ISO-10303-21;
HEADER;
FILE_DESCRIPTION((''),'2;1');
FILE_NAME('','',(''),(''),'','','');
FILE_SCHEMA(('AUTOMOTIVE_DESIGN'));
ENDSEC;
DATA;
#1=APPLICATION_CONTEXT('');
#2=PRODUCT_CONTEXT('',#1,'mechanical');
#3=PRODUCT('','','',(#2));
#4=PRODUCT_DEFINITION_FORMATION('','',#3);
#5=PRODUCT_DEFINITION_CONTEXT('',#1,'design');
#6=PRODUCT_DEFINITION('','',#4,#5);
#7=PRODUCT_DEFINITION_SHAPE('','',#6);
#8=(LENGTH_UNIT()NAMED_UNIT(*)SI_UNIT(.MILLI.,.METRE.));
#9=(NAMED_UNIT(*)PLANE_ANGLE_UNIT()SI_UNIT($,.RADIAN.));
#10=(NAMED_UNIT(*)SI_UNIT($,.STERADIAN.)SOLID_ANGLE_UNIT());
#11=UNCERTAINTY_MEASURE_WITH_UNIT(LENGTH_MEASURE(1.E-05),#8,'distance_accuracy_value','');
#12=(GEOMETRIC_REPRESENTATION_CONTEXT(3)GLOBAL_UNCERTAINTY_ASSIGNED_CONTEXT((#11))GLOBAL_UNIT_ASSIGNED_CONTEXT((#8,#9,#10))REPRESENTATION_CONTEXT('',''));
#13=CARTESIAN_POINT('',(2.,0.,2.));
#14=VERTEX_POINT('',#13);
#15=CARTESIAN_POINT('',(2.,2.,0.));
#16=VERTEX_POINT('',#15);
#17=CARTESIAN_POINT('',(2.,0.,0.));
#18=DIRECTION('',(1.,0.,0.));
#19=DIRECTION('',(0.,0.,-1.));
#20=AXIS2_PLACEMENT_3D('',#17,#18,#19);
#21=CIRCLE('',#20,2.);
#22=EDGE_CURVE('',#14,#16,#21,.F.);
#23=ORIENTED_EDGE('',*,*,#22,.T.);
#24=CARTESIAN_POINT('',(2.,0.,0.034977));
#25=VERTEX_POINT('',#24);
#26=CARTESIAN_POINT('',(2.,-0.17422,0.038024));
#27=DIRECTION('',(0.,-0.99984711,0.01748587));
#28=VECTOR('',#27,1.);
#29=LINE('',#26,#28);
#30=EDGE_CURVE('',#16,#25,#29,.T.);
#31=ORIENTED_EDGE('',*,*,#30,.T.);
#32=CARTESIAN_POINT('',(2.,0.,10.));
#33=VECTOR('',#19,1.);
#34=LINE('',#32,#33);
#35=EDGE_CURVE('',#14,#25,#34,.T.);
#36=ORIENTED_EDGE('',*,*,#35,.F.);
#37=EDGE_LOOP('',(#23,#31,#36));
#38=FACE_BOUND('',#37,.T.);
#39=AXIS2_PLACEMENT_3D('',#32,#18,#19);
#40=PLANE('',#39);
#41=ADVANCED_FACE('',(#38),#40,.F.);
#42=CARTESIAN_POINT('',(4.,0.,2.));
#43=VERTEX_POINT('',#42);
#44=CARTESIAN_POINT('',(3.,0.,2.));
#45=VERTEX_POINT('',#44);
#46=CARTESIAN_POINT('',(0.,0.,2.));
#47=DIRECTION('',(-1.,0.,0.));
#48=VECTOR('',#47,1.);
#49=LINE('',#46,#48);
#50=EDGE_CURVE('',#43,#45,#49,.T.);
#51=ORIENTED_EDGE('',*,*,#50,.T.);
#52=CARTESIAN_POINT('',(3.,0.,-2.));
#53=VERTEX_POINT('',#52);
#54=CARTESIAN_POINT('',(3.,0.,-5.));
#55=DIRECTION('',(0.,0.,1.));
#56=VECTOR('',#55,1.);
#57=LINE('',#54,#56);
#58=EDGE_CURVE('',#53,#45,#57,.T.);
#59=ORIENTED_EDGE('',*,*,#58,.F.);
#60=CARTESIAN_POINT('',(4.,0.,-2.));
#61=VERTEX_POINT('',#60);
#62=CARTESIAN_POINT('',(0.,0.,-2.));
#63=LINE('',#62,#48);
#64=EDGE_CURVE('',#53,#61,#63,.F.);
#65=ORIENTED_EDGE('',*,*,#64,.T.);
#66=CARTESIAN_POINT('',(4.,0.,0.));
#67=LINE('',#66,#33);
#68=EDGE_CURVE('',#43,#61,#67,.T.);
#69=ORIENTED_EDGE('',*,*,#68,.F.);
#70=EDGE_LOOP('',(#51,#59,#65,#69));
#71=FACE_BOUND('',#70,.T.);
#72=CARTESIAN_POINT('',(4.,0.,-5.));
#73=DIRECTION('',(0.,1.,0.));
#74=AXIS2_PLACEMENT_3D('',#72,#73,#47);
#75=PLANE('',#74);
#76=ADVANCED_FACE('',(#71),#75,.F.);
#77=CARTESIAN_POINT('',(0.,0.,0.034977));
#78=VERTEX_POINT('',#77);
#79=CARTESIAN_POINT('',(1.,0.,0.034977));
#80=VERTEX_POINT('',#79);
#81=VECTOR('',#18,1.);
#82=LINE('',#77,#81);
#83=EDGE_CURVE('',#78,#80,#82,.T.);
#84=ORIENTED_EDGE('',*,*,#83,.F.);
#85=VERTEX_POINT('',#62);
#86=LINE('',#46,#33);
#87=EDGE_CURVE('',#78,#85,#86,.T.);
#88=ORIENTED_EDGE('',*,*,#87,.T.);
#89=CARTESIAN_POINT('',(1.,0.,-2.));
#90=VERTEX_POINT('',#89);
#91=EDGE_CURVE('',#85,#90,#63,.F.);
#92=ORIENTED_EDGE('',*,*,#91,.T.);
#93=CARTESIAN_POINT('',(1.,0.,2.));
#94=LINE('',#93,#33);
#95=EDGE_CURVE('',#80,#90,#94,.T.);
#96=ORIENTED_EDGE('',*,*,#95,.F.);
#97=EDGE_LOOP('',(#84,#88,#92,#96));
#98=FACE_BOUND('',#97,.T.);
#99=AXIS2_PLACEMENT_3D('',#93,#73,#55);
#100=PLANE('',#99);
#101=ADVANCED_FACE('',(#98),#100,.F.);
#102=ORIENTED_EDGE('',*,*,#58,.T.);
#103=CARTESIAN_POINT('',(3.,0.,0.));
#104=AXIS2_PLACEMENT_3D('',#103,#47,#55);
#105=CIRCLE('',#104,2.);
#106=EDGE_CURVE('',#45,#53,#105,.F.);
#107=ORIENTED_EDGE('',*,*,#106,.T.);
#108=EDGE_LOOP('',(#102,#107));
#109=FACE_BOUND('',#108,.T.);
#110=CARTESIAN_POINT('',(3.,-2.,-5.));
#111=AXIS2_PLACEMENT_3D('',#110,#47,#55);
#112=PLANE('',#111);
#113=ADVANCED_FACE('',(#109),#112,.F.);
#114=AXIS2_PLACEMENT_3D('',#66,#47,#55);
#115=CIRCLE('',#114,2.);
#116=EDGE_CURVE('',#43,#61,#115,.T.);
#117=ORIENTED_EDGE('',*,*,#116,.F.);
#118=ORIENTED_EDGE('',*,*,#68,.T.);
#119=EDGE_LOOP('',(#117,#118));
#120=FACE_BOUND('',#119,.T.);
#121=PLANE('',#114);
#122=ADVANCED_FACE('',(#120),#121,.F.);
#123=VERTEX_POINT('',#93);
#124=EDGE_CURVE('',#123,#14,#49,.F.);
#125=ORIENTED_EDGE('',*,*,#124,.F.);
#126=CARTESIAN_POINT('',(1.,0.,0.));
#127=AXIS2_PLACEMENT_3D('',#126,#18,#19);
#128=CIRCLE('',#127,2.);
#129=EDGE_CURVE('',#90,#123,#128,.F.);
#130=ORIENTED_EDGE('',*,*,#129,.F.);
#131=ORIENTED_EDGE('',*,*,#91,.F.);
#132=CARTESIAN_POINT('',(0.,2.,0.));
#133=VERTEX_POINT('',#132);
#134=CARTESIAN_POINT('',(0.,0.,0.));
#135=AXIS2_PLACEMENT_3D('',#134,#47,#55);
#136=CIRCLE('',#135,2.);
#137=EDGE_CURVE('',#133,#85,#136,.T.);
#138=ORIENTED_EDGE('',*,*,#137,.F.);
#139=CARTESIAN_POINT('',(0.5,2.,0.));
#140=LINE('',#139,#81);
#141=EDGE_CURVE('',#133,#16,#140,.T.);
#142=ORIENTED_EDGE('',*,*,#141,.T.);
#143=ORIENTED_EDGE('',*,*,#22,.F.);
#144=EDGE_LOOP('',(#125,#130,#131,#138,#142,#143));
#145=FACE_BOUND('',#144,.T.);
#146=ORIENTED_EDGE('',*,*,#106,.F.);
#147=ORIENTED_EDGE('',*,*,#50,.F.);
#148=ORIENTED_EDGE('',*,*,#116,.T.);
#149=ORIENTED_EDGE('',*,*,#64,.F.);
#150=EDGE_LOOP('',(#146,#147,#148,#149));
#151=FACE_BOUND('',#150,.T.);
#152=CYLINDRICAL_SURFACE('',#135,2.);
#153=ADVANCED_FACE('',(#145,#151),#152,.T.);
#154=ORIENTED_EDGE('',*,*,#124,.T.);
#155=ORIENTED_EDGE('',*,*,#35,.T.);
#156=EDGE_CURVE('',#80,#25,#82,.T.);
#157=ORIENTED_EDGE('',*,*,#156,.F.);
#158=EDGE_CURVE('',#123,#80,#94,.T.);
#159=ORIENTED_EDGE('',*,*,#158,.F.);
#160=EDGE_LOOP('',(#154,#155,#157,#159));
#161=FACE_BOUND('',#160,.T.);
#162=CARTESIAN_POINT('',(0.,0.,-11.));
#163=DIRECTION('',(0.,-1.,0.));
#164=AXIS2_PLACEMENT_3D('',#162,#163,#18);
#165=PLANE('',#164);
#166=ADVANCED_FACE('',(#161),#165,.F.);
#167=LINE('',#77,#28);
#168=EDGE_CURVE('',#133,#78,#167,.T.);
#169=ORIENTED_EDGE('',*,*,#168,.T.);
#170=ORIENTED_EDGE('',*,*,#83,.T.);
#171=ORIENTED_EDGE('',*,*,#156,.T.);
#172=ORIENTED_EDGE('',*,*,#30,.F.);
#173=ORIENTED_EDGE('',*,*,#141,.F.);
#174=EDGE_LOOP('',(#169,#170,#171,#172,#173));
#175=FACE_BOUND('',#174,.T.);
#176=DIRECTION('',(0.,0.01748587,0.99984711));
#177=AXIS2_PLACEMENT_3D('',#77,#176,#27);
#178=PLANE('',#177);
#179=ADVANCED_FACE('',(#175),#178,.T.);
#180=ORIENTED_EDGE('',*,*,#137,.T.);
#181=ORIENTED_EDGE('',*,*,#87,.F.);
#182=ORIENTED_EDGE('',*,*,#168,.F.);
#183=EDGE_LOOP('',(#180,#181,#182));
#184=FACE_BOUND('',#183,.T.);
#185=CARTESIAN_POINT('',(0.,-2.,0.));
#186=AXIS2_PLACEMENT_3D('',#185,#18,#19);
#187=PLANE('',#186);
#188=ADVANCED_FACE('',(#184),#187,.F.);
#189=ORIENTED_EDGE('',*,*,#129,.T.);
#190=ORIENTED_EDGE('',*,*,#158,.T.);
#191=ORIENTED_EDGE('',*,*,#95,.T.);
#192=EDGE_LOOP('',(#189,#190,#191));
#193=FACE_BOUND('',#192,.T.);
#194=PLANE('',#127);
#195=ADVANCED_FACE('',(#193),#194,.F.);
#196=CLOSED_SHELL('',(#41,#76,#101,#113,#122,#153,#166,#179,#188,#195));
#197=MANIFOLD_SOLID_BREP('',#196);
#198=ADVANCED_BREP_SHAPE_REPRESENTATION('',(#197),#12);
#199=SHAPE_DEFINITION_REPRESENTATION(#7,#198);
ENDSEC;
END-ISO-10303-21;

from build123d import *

# Parameters (mm, degrees)
SKETCH5_W           = 4
SKETCH5_H           = 2
SKETCH6_W           = 1
SKETCH6_H           = 2
CUT_EXTRUDE5_DEPTH  = 11
SKETCH8_W           = 0.5
SKETCH8_H           = 2
CUT_EXTRUDE7_DEPTH  = 10
SKETCH9_W           = 1.5
SKETCH9_H           = 2
CUT_EXTRUDE8_DEPTH  = 10
BOSS_EXTRUDE1_DEPTH = 4
SKETCH13_W          = 4.449870591
SKETCH13_H          = 3.198188742
CUT_EXTRUDE10_DEPTH = 1
SKETCH14_W          = 1
SKETCH14_H          = 2
CUT_EXTRUDE11_DEPTH = 5


with BuildPart() as part:
    # Sketch5 → Revolve-Thin2 (revolve)
    with BuildSketch(Plane.XY):
        with Locations((2, 1)):
            Rectangle(SKETCH5_W, SKETCH5_H)
    revolve(axis=Axis((0, 0, 0), (1, 0, 0)))

    # Sketch6 → Cut-Extrude5 (cut)
    with BuildSketch(Plane.XY):
        with Locations((3.5, 1)):
            Rectangle(SKETCH6_W, SKETCH6_H)
        with Locations((0.5, 1)):
            Rectangle(SKETCH6_W, SKETCH6_H)
    extrude(amount=-CUT_EXTRUDE5_DEPTH, mode=Mode.SUBTRACT)

    # Sketch8 → Cut-Extrude7 (cut)
    with BuildSketch(Plane(origin=(0, 0, 0), x_dir=(-1, 0, 0), z_dir=(0, 0, -1))):
        with Locations((-0.25, 1)):
            Rectangle(SKETCH8_W, SKETCH8_H)
    extrude(amount=-CUT_EXTRUDE7_DEPTH, mode=Mode.SUBTRACT)

    # Sketch9 → Cut-Extrude8 (cut)
    with BuildSketch(Plane(origin=(0, 0, 0), x_dir=(-1, 0, 0), z_dir=(0, 0, -1))):
        with Locations((-1.25, 1)):
            Rectangle(SKETCH9_W, SKETCH9_H)
    extrude(amount=-CUT_EXTRUDE8_DEPTH, mode=Mode.SUBTRACT)

    # Sketch10 → Boss-Extrude1 (add)
    with BuildSketch(Plane(origin=(4, 0, 0), x_dir=(0, 0, -1), z_dir=(1, 0, 0))):
        with BuildLine():
            Line((2, 0), (-0.034977088, 0))
            Line((-0.034977088, 0), (0, 2))
            ThreePointArc((0, 2), (1.414213562, 1.414213562), (2, 0))
        make_face()
    extrude(amount=-BOSS_EXTRUDE1_DEPTH)

    # Sketch13 → Cut-Extrude10 (cut)
    with BuildSketch(Plane.ZY):
        with Locations((-0.224935296, -1.599094371)):
            Rectangle(SKETCH13_W, SKETCH13_H)
    extrude(amount=-CUT_EXTRUDE10_DEPTH, mode=Mode.SUBTRACT)

    # Sketch14 → Cut-Extrude11 (cut, symmetric)
    with BuildSketch(Plane.XY):
        with Locations((3.5, -1)):
            Rectangle(SKETCH14_W, SKETCH14_H)
    extrude(amount=CUT_EXTRUDE11_DEPTH, both=True, mode=Mode.SUBTRACT)


solid = part.part
